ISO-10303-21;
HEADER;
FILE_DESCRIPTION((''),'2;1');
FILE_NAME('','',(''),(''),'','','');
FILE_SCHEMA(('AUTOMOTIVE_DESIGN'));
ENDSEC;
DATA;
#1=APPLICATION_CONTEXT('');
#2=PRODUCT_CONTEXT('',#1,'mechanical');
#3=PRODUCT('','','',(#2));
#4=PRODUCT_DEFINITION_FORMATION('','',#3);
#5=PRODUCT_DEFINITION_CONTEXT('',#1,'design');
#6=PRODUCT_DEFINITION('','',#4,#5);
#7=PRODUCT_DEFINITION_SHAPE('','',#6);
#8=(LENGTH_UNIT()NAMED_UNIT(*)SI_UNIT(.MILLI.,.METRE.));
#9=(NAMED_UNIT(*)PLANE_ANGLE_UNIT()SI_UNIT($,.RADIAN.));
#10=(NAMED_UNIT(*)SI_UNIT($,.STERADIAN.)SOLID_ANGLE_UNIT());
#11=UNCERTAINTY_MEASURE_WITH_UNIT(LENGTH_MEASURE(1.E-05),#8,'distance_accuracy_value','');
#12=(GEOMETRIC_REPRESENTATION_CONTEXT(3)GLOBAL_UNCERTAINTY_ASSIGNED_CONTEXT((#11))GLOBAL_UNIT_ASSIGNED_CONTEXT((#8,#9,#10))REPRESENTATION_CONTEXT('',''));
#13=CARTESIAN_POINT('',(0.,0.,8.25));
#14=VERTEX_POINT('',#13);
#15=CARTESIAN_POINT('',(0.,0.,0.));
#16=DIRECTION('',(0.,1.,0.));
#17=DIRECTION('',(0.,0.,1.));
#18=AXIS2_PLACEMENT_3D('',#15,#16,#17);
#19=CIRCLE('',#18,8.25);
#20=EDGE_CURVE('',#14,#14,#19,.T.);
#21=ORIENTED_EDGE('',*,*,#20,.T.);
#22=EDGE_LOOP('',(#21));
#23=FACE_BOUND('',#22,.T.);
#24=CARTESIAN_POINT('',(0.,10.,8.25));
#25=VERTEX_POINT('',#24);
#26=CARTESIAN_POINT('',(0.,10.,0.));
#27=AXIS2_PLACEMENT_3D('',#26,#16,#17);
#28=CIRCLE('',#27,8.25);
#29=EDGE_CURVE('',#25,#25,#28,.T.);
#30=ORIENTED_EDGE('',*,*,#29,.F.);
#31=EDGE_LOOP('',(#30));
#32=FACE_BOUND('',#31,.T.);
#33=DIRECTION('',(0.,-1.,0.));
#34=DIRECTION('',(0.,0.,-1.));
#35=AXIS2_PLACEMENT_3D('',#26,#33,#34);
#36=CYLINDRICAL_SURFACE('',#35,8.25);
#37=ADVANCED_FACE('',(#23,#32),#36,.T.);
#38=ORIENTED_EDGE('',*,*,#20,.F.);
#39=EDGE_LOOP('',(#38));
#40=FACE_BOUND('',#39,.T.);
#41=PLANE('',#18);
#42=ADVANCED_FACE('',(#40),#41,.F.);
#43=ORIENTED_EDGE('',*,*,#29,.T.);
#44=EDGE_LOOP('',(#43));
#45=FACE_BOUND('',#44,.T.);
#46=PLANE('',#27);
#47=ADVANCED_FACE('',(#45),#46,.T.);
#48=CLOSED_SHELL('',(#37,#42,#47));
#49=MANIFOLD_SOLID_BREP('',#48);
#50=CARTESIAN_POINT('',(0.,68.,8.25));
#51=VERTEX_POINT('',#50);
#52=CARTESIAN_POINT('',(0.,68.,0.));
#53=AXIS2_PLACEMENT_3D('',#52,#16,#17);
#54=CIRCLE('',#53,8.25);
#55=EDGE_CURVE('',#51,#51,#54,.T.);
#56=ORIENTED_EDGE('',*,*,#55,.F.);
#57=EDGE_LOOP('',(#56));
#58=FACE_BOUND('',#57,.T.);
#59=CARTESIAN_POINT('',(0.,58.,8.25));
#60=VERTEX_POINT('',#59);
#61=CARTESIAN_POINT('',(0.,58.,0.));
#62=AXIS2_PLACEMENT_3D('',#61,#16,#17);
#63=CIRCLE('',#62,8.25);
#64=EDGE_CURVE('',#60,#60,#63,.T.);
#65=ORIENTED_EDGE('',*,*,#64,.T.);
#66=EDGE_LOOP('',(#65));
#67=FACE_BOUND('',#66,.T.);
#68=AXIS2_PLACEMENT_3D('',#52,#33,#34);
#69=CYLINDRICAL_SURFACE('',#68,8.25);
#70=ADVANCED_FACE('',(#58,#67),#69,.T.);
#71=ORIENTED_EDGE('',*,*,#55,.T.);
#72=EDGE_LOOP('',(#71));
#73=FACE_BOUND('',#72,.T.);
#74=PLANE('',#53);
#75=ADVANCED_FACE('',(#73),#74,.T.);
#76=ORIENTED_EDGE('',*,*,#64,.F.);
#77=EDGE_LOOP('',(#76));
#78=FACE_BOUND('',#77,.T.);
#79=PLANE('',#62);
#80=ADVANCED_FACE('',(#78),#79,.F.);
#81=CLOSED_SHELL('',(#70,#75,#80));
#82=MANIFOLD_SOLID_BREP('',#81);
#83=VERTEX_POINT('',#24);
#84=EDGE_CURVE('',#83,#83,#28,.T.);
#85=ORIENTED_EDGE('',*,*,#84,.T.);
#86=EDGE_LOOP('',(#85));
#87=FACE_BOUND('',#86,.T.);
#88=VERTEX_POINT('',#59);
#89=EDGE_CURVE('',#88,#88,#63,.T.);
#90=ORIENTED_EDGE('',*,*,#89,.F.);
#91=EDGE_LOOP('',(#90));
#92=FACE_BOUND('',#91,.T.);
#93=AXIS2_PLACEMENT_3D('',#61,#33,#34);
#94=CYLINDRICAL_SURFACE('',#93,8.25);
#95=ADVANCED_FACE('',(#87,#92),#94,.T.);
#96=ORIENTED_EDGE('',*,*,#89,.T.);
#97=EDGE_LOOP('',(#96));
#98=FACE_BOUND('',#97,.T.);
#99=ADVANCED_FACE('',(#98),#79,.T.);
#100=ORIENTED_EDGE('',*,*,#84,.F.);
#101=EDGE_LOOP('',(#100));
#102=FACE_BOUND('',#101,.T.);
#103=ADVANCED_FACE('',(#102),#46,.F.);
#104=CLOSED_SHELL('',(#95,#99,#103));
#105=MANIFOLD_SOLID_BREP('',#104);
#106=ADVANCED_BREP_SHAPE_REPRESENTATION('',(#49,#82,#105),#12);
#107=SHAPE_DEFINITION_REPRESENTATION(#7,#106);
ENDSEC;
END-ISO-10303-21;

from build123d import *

# Parameters (mm, degrees)
SKETCH1_R           = 8.25
BOSS_EXTRUDE1_DEPTH = 10
SKETCH2_R           = 8.25
BOSS_EXTRUDE2_DEPTH = 48
SKETCH3_R           = 8.25
BOSS_EXTRUDE3_DEPTH = 10


with BuildPart() as part:
    # Sketch1 → Boss-Extrude1 (new body)
    with BuildSketch(Plane(origin=(0, 0, 0), x_dir=(1, 0, 0), z_dir=(0, 1, 0))):
        Circle(SKETCH1_R)
    extrude(amount=BOSS_EXTRUDE1_DEPTH)


with BuildPart() as body_2:
    # Sketch2 → Boss-Extrude2 (new body)
    with BuildSketch(Plane(origin=(0, 10, 0), x_dir=(1, 0, 0), z_dir=(0, 1, 0))):
        Circle(SKETCH2_R)
    extrude(amount=BOSS_EXTRUDE2_DEPTH)


with BuildPart() as body_3:
    # Sketch3 → Boss-Extrude3 (new body)
    with BuildSketch(Plane(origin=(0, 58, 0), x_dir=(1, 0, 0), z_dir=(0, 1, 0))):
        Circle(SKETCH3_R)
    extrude(amount=BOSS_EXTRUDE3_DEPTH)


solid = Compound([part.part, body_2.part, body_3.part])
